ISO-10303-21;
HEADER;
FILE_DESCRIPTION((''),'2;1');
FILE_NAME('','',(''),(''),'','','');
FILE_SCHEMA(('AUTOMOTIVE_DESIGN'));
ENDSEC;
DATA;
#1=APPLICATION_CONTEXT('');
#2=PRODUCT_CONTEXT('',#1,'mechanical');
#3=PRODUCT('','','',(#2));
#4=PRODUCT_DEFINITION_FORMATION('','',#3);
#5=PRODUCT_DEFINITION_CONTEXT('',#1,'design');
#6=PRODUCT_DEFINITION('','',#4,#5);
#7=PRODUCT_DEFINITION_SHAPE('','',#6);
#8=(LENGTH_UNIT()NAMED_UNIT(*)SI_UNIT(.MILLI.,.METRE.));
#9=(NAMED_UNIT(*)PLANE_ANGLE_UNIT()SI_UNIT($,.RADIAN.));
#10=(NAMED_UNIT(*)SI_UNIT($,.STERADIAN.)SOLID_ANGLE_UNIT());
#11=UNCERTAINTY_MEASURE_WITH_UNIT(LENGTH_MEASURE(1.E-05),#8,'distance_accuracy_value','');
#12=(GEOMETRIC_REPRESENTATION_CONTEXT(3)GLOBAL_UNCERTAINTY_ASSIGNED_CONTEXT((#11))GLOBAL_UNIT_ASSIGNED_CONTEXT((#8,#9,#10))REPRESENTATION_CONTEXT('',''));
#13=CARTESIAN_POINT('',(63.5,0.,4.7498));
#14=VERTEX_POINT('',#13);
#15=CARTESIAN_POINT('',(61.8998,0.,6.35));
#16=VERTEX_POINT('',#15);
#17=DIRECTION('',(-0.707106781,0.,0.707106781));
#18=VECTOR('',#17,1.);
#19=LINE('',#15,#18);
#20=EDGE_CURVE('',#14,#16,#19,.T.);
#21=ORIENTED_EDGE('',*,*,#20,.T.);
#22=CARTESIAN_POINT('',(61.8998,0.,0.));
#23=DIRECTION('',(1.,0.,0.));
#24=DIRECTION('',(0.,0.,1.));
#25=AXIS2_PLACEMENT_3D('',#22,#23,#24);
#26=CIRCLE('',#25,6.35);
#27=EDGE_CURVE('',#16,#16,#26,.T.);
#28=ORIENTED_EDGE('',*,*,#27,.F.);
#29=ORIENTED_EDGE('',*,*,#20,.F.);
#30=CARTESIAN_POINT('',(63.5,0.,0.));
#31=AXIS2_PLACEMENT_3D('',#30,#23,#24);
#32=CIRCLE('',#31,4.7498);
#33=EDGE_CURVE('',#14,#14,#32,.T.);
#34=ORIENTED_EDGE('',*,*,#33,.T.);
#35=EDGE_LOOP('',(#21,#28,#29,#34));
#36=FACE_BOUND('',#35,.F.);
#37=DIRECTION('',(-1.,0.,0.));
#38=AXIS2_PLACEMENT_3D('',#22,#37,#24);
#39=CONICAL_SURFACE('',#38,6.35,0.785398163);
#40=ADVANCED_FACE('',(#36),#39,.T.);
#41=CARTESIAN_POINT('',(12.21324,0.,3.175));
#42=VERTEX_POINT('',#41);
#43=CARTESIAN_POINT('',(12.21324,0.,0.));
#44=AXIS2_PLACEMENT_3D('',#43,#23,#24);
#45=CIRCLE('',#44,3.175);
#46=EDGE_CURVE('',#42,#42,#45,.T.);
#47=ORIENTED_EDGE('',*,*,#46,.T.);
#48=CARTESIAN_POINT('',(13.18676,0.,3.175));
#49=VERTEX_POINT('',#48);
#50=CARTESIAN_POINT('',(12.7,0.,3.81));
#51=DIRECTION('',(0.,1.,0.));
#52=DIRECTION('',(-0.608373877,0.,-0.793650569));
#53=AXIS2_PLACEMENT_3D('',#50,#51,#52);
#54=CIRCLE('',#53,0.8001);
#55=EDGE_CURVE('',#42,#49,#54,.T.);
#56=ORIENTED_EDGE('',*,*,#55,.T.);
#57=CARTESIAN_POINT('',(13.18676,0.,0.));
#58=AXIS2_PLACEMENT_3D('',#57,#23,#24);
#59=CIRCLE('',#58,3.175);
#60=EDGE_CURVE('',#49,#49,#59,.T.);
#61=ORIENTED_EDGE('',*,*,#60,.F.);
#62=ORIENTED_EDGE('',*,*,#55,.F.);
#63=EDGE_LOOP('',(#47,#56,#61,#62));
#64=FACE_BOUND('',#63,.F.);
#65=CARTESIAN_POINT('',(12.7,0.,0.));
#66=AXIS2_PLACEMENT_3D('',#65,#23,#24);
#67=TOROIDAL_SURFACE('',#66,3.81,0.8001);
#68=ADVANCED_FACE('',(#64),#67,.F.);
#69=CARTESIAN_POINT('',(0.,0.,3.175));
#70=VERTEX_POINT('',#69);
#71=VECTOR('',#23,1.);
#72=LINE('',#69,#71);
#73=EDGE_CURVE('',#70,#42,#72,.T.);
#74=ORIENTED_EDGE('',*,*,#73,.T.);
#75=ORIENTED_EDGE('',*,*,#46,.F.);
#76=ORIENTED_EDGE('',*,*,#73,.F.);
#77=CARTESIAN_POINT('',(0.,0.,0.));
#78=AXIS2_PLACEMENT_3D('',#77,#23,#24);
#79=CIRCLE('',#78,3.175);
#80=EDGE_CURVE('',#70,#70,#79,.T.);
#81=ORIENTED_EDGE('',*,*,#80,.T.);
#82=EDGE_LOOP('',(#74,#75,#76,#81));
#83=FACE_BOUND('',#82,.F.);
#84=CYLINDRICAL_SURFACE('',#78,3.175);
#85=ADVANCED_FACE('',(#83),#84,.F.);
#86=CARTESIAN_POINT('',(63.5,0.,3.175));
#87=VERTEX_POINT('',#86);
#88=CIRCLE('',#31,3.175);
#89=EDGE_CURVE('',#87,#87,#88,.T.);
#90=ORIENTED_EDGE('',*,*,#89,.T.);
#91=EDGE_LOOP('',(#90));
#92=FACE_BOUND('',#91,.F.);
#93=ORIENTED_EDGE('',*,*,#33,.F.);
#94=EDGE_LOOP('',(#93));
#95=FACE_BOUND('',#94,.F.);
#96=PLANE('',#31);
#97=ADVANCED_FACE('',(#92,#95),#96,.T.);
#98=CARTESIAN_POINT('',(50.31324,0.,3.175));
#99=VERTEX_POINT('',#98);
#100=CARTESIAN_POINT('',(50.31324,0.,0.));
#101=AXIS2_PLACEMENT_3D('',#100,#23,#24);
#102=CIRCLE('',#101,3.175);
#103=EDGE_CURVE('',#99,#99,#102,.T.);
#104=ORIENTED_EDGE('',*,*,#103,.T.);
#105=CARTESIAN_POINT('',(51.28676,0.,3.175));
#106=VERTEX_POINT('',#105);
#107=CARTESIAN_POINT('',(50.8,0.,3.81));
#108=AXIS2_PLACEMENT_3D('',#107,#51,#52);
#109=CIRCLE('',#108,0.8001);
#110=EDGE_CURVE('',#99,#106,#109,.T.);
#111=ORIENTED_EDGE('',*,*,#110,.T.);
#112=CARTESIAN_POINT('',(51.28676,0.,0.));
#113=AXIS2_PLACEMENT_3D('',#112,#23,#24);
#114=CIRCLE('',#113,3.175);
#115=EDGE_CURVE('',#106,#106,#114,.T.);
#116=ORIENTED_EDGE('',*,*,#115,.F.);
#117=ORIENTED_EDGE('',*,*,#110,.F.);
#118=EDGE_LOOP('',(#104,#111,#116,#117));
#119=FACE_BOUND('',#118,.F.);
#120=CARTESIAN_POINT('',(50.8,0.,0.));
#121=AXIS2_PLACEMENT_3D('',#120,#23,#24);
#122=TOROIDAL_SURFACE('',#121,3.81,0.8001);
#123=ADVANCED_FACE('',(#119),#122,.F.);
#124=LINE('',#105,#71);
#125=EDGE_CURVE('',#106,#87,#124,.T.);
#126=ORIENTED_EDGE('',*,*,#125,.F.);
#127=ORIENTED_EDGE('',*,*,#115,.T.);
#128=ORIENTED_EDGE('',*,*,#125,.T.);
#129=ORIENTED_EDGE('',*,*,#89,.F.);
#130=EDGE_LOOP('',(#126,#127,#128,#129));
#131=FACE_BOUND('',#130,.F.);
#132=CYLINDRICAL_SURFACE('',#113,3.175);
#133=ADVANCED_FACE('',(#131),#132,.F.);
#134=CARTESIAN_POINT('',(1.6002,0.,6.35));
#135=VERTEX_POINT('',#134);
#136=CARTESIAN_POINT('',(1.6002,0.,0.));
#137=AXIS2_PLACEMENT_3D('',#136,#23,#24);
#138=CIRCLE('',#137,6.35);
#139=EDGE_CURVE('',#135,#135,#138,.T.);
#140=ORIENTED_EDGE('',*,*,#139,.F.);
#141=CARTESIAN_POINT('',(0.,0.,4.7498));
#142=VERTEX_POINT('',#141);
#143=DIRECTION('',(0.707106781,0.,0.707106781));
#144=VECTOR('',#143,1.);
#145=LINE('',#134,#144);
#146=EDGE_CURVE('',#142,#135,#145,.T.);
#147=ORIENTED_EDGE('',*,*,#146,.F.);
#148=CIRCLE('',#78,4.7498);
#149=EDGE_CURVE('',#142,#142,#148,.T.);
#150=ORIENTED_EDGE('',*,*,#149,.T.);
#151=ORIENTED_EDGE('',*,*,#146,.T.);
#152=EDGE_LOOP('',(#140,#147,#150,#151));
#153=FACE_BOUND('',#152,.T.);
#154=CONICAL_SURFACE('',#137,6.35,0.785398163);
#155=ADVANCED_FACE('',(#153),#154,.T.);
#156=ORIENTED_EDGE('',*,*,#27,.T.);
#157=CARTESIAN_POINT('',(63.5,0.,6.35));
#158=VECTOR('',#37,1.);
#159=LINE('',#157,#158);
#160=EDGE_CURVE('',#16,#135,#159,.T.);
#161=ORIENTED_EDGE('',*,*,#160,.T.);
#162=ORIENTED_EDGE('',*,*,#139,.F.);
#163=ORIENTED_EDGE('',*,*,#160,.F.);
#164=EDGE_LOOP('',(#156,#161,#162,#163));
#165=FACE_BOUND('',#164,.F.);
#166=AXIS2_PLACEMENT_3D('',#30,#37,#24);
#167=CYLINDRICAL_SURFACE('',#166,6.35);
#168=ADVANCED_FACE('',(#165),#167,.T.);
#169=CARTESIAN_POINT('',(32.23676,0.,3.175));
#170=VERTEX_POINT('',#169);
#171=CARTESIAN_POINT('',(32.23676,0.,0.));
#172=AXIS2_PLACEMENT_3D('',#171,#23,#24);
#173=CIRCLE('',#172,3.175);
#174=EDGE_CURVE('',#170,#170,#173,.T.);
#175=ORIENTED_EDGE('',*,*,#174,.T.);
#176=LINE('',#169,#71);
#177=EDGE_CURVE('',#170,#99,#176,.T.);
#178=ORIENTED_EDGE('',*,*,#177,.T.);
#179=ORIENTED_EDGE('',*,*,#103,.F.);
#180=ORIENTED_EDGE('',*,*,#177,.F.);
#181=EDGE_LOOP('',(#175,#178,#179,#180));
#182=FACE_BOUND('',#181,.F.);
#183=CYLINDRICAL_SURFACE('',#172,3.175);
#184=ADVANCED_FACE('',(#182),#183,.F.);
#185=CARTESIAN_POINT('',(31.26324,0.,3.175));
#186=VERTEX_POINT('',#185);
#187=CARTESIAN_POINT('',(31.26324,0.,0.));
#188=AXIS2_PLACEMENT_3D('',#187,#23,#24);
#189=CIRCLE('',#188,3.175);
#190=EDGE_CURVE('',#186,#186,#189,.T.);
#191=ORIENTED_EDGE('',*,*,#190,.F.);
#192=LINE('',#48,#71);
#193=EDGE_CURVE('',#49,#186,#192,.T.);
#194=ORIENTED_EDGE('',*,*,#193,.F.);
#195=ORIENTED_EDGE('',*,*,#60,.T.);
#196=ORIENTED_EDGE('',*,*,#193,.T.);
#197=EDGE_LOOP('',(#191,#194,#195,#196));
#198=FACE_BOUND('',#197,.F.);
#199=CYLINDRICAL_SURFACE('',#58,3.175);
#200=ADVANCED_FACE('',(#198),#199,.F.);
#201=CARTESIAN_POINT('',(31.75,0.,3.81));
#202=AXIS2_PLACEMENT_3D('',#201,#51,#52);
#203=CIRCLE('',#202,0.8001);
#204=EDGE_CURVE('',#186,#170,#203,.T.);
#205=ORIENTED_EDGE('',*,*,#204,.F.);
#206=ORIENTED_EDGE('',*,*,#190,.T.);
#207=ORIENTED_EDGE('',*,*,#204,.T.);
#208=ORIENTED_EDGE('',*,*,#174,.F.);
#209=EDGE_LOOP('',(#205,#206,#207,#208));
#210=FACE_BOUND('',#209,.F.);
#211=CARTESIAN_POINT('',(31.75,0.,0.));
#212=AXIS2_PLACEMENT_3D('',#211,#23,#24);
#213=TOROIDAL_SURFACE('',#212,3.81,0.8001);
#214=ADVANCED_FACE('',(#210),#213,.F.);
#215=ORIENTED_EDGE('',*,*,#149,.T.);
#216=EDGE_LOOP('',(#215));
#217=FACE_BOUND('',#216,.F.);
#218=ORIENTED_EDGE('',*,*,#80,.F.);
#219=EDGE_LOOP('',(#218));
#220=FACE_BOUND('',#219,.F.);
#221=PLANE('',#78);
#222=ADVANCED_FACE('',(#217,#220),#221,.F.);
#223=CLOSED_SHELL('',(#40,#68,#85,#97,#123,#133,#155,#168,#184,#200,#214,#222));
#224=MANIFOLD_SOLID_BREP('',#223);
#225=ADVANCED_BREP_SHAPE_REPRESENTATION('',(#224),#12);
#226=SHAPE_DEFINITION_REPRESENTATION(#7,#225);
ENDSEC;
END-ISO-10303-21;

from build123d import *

# Parameters (mm, degrees)
F2_SIZE = 1.6002


with BuildPart() as f1:
    # F0 (on Front) → F1 (revolve)
    with BuildSketch(Plane.XZ):
        with BuildLine():
            Line((0, 6.35), (0, 3.175))
            Line((0, 3.175), (12.21324, 3.175))
            ThreePointArc((12.21324, 3.175), (12.7, 4.6101), (13.18676, 3.175))
            Line((13.18676, 3.175), (31.26324, 3.175))
            ThreePointArc((31.26324, 3.175), (31.75, 4.6101), (32.23676, 3.175))
            Line((32.23676, 3.175), (50.31324, 3.175))
            ThreePointArc((50.31324, 3.175), (50.8, 4.6101), (51.28676, 3.175))
            Line((51.28676, 3.175), (63.5, 3.175))
            Line((63.5, 3.175), (63.5, 6.35))
            Line((63.5, 6.35), (0, 6.35))
        make_face()
    revolve(axis=Axis((38.581822, 0, 0), (1, 0, 0)))

    # F2
    f2_edges = [f1.edges().sort_by_distance(p)[0] for p in [
        (0, 0, -6.35),
        (63.5, 0, -6.35),
    ]]
    chamfer(f2_edges, length=F2_SIZE)


solid = f1.part
